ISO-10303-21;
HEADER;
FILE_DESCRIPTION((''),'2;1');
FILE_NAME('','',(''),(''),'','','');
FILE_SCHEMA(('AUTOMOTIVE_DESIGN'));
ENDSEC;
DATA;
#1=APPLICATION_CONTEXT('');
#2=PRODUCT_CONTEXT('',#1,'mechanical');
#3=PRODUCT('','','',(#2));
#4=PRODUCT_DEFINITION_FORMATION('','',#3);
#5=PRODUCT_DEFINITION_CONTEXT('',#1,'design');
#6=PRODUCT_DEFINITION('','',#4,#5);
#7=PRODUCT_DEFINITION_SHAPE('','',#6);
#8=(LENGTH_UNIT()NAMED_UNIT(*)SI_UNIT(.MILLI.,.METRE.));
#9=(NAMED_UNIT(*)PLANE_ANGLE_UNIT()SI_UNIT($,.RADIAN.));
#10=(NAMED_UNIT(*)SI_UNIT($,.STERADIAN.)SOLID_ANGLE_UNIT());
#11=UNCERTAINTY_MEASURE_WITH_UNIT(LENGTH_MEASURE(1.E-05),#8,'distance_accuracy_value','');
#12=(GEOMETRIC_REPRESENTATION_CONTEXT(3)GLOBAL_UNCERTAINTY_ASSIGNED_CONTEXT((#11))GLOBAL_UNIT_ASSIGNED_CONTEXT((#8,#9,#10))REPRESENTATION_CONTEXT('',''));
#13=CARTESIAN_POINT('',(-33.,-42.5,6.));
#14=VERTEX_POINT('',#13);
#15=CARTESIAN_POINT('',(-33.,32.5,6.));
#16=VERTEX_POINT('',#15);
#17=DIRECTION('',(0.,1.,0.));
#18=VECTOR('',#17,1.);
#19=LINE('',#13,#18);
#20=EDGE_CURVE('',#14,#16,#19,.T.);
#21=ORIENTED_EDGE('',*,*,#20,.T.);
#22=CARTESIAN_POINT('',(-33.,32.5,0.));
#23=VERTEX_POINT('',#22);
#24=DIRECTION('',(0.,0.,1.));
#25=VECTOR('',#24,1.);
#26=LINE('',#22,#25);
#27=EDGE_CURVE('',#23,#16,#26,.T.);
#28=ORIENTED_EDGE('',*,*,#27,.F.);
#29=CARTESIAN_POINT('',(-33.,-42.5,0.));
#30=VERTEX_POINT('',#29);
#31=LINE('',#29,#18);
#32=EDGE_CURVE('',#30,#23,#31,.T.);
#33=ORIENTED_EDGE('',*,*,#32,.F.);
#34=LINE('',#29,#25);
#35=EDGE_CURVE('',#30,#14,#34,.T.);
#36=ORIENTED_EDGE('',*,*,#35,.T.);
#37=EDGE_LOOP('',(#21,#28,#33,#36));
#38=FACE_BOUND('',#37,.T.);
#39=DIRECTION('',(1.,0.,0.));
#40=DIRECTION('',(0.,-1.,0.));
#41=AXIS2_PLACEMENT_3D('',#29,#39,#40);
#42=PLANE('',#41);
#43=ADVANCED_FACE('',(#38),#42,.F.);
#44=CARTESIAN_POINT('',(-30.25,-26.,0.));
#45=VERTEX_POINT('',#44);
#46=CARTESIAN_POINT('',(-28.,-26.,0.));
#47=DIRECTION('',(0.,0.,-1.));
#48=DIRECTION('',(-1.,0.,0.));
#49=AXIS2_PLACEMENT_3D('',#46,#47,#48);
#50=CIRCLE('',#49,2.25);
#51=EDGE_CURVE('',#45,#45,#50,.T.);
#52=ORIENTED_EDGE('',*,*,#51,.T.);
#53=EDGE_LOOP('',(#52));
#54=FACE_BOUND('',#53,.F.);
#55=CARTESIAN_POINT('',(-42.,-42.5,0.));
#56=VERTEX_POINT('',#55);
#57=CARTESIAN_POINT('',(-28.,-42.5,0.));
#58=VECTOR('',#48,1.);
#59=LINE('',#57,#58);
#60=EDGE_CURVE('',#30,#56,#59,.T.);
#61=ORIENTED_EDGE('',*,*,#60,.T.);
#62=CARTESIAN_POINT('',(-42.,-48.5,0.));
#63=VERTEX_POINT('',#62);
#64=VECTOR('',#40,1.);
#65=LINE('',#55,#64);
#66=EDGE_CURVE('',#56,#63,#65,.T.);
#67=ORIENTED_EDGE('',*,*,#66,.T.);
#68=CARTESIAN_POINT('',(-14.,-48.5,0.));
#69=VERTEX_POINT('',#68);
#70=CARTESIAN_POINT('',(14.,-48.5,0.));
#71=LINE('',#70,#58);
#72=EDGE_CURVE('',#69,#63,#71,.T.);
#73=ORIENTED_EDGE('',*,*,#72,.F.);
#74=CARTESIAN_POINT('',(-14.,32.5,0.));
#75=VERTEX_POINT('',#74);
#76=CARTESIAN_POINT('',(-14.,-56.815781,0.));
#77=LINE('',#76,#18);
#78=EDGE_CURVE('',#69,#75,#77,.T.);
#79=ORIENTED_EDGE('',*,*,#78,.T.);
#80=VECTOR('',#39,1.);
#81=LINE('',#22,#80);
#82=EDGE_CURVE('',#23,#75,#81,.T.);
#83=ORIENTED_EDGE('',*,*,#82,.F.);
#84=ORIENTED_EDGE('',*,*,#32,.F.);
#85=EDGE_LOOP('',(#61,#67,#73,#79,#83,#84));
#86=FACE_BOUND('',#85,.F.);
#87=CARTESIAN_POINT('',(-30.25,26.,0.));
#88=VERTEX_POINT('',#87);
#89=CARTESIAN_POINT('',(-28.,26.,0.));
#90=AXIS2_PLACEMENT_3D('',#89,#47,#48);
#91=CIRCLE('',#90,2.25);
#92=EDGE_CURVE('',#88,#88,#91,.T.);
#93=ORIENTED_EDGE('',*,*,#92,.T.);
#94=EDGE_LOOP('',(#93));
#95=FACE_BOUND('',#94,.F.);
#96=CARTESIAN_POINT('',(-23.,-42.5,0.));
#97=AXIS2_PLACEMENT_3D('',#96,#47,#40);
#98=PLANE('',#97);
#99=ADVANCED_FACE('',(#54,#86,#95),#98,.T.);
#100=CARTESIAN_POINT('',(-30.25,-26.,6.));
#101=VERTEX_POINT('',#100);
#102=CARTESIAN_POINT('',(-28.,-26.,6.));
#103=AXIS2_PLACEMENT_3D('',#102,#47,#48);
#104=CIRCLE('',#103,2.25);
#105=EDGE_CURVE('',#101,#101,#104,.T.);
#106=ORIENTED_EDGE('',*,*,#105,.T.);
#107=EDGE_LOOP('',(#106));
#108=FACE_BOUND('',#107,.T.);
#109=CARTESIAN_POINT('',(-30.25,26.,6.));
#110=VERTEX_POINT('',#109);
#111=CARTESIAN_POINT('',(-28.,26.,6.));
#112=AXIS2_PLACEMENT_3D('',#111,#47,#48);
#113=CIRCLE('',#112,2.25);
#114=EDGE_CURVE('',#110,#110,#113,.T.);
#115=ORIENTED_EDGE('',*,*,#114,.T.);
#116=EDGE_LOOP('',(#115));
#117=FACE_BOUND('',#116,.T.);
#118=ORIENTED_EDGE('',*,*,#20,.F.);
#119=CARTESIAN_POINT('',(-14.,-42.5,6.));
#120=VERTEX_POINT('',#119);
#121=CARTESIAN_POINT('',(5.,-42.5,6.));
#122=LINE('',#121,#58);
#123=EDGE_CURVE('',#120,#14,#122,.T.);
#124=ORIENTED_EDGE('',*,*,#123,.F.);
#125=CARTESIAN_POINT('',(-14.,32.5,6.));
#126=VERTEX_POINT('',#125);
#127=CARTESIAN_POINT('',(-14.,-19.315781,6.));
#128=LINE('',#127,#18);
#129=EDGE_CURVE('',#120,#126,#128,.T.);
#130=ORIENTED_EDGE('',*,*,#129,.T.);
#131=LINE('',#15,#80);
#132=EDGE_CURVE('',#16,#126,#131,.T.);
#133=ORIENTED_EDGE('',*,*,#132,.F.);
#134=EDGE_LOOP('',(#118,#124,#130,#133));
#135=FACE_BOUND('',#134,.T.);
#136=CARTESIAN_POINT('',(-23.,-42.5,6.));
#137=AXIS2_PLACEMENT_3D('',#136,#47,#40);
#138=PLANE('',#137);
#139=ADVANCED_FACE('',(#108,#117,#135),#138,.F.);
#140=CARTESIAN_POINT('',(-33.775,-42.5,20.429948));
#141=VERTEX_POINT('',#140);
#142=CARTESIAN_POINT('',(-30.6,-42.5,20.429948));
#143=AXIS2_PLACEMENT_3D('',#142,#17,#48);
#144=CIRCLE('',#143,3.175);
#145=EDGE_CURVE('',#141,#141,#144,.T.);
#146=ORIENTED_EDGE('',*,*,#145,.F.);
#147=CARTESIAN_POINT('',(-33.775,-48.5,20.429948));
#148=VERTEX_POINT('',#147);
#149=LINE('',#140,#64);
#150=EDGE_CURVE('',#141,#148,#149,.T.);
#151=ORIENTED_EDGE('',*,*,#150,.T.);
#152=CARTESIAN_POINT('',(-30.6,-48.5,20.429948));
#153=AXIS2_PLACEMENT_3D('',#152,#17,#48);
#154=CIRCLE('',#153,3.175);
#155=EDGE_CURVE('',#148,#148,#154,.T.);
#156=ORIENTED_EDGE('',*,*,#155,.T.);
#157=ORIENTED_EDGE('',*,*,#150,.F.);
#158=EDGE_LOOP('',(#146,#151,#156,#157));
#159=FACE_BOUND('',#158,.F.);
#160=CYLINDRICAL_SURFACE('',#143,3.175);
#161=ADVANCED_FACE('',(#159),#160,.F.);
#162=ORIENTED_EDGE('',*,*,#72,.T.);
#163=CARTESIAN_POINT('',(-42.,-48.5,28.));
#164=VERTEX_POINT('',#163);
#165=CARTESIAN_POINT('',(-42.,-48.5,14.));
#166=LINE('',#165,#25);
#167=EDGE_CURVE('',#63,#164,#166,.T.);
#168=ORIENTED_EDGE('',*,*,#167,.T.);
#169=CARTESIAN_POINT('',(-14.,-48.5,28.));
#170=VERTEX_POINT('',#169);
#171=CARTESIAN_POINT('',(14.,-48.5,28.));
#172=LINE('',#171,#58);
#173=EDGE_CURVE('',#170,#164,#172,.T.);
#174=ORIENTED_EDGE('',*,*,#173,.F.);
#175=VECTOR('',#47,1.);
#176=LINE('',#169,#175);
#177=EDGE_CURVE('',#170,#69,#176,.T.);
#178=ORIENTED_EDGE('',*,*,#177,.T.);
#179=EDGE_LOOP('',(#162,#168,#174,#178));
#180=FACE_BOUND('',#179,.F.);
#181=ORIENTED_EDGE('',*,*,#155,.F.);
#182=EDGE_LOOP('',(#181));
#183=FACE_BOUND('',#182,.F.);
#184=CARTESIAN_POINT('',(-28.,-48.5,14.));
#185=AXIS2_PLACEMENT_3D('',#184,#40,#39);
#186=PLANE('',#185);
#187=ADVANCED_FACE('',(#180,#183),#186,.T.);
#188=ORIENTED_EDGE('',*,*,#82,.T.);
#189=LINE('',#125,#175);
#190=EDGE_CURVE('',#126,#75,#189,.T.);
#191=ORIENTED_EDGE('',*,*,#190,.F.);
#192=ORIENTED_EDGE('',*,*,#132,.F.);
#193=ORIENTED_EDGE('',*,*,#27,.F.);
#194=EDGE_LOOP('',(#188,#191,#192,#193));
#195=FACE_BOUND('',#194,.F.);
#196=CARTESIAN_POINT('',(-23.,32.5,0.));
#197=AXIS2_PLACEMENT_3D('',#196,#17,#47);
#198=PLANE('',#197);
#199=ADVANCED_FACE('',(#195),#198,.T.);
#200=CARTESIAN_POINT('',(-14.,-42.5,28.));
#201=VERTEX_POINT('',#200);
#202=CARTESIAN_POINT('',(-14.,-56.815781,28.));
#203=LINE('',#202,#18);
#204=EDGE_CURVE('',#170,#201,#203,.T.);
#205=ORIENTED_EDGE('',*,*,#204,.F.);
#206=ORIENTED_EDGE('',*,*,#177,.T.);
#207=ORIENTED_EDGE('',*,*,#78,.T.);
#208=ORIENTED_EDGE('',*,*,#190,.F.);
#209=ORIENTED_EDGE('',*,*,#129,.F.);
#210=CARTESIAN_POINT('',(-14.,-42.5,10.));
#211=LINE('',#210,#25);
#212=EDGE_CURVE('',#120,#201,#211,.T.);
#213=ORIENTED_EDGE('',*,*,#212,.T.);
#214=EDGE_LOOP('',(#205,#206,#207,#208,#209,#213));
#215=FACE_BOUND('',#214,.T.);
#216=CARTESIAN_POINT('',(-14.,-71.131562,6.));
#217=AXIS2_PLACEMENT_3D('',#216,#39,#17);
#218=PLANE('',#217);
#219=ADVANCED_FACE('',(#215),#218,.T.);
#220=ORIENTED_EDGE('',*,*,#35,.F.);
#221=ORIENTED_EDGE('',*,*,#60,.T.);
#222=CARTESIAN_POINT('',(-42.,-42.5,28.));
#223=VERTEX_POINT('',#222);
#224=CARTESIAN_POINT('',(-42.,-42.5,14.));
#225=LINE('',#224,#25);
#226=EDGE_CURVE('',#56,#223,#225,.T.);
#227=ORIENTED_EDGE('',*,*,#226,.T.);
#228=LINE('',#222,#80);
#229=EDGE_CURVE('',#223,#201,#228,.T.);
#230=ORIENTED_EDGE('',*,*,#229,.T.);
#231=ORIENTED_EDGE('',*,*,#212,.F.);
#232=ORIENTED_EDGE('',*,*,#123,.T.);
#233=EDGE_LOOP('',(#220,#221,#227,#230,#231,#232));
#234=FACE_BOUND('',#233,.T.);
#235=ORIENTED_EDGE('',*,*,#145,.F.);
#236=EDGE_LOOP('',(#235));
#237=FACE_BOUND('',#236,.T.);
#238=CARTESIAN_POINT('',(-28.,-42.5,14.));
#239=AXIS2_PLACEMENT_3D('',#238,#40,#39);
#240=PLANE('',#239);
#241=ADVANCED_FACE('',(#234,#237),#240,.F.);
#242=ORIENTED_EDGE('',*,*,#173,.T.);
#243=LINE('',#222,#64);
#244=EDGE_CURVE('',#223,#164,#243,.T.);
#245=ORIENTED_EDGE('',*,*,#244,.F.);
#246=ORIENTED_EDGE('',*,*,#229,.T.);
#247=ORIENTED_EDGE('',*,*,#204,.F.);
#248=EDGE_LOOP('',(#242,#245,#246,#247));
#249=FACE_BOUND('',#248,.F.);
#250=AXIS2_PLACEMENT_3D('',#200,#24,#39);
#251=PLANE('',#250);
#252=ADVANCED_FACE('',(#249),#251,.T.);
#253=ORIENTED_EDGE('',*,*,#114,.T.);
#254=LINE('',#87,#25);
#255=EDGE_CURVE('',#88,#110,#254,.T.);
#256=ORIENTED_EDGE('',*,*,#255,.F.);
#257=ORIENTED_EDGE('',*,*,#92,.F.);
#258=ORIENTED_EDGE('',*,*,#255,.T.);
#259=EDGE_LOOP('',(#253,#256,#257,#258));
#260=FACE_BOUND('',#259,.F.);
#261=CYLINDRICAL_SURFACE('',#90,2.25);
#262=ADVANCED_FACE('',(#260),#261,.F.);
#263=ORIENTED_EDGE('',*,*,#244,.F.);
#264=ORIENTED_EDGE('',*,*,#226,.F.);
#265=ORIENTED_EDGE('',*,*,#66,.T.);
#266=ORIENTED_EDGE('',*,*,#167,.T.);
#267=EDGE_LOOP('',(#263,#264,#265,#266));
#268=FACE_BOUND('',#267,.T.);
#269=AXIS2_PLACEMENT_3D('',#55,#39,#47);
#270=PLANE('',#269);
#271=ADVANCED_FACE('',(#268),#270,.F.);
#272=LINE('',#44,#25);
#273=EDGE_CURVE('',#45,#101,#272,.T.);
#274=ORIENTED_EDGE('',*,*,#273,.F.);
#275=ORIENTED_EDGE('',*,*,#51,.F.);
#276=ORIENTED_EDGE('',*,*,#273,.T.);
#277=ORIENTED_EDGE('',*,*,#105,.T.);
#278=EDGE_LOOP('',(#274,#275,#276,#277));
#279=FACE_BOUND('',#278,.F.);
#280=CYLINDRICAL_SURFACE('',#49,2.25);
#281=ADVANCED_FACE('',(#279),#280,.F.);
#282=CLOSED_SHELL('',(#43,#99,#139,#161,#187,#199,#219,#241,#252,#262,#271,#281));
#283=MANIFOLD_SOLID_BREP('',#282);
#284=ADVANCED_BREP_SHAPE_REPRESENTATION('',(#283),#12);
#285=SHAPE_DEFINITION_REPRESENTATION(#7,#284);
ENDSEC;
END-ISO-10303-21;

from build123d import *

# Parameters (mm, degrees)
SKETCH1_W               = 10
SKETCH1_H               = 10
SKETCH1_H_2             = 65
SKETCH1_R               = 2.25
BOSS_EXTRUDE1_DEPTH     = 6
SKETCH2_W               = 28
SKETCH2_H               = 28
SKETCH2_R               = 3.175
BOSS_EXTRUDE2_DEPTH     = 6
SKETCH3_W               = 6
SKETCH3_H               = 75
BOSS_EXTRUDE3_DEPTH     = 9
SKETCH4_W               = 54.205081497
SKETCH4_H               = 103.631562047
CUT_EXTRUDE1_DEPTH      = 23
CUT_EXTRUDE1_DEPTH_BACK = 7


with BuildPart() as part:
    # Sketch1 → Boss-Extrude1 (new body)
    with BuildSketch(Plane.XY):
        with Locations((0, -37.5)):
            Rectangle(SKETCH1_W, SKETCH1_H)
        Rectangle(SKETCH1_W, SKETCH1_H_2)
        with Locations((0, 26)):
            Circle(SKETCH1_R, mode=Mode.SUBTRACT)
        with Locations((0, -26)):
            Circle(SKETCH1_R, mode=Mode.SUBTRACT)
    extrude(amount=BOSS_EXTRUDE1_DEPTH)



with BuildPart() as body_2:
    # Sketch2 → Boss-Extrude2 (new body)
    with BuildSketch(Plane.XZ.offset(42.5)):
        with Locations((0, 14)):
            Rectangle(SKETCH2_W, SKETCH2_H)
        with Locations((2.6, 20.429948245)):
            Circle(SKETCH2_R, mode=Mode.SUBTRACT)
    extrude(amount=BOSS_EXTRUDE2_DEPTH)


with BuildPart() as part_1:
    add(part.part)

    add(body_2.part)  # Boss-Extrude3 merges body 2
    # Sketch3 → Boss-Extrude3 (add)
    with BuildSketch(Plane.ZY.offset(5)):
        with Locations((3, -5)):
            Rectangle(SKETCH3_W, SKETCH3_H)
    extrude(amount=BOSS_EXTRUDE3_DEPTH)

    # Mirror1: part across plane


with BuildPart() as part_2:
    add(part_1.part)
    add(part_1.part.mirror(Plane(origin=(-14, -48.5, 0), x_dir=(0, 0, 1), z_dir=(-1, 0, 0))))

    # Sketch4 → Cut-Extrude1 (cut, two sides)
    with BuildSketch(Plane.XY.offset(6)) as cut_extrude1_sk:
        with Locations((13.102540749, -19.315781024)):
            Rectangle(SKETCH4_W, SKETCH4_H)
    extrude(amount=CUT_EXTRUDE1_DEPTH, mode=Mode.SUBTRACT)
    extrude(cut_extrude1_sk.sketch, amount=-CUT_EXTRUDE1_DEPTH_BACK, mode=Mode.SUBTRACT)


solid = part_2.part
